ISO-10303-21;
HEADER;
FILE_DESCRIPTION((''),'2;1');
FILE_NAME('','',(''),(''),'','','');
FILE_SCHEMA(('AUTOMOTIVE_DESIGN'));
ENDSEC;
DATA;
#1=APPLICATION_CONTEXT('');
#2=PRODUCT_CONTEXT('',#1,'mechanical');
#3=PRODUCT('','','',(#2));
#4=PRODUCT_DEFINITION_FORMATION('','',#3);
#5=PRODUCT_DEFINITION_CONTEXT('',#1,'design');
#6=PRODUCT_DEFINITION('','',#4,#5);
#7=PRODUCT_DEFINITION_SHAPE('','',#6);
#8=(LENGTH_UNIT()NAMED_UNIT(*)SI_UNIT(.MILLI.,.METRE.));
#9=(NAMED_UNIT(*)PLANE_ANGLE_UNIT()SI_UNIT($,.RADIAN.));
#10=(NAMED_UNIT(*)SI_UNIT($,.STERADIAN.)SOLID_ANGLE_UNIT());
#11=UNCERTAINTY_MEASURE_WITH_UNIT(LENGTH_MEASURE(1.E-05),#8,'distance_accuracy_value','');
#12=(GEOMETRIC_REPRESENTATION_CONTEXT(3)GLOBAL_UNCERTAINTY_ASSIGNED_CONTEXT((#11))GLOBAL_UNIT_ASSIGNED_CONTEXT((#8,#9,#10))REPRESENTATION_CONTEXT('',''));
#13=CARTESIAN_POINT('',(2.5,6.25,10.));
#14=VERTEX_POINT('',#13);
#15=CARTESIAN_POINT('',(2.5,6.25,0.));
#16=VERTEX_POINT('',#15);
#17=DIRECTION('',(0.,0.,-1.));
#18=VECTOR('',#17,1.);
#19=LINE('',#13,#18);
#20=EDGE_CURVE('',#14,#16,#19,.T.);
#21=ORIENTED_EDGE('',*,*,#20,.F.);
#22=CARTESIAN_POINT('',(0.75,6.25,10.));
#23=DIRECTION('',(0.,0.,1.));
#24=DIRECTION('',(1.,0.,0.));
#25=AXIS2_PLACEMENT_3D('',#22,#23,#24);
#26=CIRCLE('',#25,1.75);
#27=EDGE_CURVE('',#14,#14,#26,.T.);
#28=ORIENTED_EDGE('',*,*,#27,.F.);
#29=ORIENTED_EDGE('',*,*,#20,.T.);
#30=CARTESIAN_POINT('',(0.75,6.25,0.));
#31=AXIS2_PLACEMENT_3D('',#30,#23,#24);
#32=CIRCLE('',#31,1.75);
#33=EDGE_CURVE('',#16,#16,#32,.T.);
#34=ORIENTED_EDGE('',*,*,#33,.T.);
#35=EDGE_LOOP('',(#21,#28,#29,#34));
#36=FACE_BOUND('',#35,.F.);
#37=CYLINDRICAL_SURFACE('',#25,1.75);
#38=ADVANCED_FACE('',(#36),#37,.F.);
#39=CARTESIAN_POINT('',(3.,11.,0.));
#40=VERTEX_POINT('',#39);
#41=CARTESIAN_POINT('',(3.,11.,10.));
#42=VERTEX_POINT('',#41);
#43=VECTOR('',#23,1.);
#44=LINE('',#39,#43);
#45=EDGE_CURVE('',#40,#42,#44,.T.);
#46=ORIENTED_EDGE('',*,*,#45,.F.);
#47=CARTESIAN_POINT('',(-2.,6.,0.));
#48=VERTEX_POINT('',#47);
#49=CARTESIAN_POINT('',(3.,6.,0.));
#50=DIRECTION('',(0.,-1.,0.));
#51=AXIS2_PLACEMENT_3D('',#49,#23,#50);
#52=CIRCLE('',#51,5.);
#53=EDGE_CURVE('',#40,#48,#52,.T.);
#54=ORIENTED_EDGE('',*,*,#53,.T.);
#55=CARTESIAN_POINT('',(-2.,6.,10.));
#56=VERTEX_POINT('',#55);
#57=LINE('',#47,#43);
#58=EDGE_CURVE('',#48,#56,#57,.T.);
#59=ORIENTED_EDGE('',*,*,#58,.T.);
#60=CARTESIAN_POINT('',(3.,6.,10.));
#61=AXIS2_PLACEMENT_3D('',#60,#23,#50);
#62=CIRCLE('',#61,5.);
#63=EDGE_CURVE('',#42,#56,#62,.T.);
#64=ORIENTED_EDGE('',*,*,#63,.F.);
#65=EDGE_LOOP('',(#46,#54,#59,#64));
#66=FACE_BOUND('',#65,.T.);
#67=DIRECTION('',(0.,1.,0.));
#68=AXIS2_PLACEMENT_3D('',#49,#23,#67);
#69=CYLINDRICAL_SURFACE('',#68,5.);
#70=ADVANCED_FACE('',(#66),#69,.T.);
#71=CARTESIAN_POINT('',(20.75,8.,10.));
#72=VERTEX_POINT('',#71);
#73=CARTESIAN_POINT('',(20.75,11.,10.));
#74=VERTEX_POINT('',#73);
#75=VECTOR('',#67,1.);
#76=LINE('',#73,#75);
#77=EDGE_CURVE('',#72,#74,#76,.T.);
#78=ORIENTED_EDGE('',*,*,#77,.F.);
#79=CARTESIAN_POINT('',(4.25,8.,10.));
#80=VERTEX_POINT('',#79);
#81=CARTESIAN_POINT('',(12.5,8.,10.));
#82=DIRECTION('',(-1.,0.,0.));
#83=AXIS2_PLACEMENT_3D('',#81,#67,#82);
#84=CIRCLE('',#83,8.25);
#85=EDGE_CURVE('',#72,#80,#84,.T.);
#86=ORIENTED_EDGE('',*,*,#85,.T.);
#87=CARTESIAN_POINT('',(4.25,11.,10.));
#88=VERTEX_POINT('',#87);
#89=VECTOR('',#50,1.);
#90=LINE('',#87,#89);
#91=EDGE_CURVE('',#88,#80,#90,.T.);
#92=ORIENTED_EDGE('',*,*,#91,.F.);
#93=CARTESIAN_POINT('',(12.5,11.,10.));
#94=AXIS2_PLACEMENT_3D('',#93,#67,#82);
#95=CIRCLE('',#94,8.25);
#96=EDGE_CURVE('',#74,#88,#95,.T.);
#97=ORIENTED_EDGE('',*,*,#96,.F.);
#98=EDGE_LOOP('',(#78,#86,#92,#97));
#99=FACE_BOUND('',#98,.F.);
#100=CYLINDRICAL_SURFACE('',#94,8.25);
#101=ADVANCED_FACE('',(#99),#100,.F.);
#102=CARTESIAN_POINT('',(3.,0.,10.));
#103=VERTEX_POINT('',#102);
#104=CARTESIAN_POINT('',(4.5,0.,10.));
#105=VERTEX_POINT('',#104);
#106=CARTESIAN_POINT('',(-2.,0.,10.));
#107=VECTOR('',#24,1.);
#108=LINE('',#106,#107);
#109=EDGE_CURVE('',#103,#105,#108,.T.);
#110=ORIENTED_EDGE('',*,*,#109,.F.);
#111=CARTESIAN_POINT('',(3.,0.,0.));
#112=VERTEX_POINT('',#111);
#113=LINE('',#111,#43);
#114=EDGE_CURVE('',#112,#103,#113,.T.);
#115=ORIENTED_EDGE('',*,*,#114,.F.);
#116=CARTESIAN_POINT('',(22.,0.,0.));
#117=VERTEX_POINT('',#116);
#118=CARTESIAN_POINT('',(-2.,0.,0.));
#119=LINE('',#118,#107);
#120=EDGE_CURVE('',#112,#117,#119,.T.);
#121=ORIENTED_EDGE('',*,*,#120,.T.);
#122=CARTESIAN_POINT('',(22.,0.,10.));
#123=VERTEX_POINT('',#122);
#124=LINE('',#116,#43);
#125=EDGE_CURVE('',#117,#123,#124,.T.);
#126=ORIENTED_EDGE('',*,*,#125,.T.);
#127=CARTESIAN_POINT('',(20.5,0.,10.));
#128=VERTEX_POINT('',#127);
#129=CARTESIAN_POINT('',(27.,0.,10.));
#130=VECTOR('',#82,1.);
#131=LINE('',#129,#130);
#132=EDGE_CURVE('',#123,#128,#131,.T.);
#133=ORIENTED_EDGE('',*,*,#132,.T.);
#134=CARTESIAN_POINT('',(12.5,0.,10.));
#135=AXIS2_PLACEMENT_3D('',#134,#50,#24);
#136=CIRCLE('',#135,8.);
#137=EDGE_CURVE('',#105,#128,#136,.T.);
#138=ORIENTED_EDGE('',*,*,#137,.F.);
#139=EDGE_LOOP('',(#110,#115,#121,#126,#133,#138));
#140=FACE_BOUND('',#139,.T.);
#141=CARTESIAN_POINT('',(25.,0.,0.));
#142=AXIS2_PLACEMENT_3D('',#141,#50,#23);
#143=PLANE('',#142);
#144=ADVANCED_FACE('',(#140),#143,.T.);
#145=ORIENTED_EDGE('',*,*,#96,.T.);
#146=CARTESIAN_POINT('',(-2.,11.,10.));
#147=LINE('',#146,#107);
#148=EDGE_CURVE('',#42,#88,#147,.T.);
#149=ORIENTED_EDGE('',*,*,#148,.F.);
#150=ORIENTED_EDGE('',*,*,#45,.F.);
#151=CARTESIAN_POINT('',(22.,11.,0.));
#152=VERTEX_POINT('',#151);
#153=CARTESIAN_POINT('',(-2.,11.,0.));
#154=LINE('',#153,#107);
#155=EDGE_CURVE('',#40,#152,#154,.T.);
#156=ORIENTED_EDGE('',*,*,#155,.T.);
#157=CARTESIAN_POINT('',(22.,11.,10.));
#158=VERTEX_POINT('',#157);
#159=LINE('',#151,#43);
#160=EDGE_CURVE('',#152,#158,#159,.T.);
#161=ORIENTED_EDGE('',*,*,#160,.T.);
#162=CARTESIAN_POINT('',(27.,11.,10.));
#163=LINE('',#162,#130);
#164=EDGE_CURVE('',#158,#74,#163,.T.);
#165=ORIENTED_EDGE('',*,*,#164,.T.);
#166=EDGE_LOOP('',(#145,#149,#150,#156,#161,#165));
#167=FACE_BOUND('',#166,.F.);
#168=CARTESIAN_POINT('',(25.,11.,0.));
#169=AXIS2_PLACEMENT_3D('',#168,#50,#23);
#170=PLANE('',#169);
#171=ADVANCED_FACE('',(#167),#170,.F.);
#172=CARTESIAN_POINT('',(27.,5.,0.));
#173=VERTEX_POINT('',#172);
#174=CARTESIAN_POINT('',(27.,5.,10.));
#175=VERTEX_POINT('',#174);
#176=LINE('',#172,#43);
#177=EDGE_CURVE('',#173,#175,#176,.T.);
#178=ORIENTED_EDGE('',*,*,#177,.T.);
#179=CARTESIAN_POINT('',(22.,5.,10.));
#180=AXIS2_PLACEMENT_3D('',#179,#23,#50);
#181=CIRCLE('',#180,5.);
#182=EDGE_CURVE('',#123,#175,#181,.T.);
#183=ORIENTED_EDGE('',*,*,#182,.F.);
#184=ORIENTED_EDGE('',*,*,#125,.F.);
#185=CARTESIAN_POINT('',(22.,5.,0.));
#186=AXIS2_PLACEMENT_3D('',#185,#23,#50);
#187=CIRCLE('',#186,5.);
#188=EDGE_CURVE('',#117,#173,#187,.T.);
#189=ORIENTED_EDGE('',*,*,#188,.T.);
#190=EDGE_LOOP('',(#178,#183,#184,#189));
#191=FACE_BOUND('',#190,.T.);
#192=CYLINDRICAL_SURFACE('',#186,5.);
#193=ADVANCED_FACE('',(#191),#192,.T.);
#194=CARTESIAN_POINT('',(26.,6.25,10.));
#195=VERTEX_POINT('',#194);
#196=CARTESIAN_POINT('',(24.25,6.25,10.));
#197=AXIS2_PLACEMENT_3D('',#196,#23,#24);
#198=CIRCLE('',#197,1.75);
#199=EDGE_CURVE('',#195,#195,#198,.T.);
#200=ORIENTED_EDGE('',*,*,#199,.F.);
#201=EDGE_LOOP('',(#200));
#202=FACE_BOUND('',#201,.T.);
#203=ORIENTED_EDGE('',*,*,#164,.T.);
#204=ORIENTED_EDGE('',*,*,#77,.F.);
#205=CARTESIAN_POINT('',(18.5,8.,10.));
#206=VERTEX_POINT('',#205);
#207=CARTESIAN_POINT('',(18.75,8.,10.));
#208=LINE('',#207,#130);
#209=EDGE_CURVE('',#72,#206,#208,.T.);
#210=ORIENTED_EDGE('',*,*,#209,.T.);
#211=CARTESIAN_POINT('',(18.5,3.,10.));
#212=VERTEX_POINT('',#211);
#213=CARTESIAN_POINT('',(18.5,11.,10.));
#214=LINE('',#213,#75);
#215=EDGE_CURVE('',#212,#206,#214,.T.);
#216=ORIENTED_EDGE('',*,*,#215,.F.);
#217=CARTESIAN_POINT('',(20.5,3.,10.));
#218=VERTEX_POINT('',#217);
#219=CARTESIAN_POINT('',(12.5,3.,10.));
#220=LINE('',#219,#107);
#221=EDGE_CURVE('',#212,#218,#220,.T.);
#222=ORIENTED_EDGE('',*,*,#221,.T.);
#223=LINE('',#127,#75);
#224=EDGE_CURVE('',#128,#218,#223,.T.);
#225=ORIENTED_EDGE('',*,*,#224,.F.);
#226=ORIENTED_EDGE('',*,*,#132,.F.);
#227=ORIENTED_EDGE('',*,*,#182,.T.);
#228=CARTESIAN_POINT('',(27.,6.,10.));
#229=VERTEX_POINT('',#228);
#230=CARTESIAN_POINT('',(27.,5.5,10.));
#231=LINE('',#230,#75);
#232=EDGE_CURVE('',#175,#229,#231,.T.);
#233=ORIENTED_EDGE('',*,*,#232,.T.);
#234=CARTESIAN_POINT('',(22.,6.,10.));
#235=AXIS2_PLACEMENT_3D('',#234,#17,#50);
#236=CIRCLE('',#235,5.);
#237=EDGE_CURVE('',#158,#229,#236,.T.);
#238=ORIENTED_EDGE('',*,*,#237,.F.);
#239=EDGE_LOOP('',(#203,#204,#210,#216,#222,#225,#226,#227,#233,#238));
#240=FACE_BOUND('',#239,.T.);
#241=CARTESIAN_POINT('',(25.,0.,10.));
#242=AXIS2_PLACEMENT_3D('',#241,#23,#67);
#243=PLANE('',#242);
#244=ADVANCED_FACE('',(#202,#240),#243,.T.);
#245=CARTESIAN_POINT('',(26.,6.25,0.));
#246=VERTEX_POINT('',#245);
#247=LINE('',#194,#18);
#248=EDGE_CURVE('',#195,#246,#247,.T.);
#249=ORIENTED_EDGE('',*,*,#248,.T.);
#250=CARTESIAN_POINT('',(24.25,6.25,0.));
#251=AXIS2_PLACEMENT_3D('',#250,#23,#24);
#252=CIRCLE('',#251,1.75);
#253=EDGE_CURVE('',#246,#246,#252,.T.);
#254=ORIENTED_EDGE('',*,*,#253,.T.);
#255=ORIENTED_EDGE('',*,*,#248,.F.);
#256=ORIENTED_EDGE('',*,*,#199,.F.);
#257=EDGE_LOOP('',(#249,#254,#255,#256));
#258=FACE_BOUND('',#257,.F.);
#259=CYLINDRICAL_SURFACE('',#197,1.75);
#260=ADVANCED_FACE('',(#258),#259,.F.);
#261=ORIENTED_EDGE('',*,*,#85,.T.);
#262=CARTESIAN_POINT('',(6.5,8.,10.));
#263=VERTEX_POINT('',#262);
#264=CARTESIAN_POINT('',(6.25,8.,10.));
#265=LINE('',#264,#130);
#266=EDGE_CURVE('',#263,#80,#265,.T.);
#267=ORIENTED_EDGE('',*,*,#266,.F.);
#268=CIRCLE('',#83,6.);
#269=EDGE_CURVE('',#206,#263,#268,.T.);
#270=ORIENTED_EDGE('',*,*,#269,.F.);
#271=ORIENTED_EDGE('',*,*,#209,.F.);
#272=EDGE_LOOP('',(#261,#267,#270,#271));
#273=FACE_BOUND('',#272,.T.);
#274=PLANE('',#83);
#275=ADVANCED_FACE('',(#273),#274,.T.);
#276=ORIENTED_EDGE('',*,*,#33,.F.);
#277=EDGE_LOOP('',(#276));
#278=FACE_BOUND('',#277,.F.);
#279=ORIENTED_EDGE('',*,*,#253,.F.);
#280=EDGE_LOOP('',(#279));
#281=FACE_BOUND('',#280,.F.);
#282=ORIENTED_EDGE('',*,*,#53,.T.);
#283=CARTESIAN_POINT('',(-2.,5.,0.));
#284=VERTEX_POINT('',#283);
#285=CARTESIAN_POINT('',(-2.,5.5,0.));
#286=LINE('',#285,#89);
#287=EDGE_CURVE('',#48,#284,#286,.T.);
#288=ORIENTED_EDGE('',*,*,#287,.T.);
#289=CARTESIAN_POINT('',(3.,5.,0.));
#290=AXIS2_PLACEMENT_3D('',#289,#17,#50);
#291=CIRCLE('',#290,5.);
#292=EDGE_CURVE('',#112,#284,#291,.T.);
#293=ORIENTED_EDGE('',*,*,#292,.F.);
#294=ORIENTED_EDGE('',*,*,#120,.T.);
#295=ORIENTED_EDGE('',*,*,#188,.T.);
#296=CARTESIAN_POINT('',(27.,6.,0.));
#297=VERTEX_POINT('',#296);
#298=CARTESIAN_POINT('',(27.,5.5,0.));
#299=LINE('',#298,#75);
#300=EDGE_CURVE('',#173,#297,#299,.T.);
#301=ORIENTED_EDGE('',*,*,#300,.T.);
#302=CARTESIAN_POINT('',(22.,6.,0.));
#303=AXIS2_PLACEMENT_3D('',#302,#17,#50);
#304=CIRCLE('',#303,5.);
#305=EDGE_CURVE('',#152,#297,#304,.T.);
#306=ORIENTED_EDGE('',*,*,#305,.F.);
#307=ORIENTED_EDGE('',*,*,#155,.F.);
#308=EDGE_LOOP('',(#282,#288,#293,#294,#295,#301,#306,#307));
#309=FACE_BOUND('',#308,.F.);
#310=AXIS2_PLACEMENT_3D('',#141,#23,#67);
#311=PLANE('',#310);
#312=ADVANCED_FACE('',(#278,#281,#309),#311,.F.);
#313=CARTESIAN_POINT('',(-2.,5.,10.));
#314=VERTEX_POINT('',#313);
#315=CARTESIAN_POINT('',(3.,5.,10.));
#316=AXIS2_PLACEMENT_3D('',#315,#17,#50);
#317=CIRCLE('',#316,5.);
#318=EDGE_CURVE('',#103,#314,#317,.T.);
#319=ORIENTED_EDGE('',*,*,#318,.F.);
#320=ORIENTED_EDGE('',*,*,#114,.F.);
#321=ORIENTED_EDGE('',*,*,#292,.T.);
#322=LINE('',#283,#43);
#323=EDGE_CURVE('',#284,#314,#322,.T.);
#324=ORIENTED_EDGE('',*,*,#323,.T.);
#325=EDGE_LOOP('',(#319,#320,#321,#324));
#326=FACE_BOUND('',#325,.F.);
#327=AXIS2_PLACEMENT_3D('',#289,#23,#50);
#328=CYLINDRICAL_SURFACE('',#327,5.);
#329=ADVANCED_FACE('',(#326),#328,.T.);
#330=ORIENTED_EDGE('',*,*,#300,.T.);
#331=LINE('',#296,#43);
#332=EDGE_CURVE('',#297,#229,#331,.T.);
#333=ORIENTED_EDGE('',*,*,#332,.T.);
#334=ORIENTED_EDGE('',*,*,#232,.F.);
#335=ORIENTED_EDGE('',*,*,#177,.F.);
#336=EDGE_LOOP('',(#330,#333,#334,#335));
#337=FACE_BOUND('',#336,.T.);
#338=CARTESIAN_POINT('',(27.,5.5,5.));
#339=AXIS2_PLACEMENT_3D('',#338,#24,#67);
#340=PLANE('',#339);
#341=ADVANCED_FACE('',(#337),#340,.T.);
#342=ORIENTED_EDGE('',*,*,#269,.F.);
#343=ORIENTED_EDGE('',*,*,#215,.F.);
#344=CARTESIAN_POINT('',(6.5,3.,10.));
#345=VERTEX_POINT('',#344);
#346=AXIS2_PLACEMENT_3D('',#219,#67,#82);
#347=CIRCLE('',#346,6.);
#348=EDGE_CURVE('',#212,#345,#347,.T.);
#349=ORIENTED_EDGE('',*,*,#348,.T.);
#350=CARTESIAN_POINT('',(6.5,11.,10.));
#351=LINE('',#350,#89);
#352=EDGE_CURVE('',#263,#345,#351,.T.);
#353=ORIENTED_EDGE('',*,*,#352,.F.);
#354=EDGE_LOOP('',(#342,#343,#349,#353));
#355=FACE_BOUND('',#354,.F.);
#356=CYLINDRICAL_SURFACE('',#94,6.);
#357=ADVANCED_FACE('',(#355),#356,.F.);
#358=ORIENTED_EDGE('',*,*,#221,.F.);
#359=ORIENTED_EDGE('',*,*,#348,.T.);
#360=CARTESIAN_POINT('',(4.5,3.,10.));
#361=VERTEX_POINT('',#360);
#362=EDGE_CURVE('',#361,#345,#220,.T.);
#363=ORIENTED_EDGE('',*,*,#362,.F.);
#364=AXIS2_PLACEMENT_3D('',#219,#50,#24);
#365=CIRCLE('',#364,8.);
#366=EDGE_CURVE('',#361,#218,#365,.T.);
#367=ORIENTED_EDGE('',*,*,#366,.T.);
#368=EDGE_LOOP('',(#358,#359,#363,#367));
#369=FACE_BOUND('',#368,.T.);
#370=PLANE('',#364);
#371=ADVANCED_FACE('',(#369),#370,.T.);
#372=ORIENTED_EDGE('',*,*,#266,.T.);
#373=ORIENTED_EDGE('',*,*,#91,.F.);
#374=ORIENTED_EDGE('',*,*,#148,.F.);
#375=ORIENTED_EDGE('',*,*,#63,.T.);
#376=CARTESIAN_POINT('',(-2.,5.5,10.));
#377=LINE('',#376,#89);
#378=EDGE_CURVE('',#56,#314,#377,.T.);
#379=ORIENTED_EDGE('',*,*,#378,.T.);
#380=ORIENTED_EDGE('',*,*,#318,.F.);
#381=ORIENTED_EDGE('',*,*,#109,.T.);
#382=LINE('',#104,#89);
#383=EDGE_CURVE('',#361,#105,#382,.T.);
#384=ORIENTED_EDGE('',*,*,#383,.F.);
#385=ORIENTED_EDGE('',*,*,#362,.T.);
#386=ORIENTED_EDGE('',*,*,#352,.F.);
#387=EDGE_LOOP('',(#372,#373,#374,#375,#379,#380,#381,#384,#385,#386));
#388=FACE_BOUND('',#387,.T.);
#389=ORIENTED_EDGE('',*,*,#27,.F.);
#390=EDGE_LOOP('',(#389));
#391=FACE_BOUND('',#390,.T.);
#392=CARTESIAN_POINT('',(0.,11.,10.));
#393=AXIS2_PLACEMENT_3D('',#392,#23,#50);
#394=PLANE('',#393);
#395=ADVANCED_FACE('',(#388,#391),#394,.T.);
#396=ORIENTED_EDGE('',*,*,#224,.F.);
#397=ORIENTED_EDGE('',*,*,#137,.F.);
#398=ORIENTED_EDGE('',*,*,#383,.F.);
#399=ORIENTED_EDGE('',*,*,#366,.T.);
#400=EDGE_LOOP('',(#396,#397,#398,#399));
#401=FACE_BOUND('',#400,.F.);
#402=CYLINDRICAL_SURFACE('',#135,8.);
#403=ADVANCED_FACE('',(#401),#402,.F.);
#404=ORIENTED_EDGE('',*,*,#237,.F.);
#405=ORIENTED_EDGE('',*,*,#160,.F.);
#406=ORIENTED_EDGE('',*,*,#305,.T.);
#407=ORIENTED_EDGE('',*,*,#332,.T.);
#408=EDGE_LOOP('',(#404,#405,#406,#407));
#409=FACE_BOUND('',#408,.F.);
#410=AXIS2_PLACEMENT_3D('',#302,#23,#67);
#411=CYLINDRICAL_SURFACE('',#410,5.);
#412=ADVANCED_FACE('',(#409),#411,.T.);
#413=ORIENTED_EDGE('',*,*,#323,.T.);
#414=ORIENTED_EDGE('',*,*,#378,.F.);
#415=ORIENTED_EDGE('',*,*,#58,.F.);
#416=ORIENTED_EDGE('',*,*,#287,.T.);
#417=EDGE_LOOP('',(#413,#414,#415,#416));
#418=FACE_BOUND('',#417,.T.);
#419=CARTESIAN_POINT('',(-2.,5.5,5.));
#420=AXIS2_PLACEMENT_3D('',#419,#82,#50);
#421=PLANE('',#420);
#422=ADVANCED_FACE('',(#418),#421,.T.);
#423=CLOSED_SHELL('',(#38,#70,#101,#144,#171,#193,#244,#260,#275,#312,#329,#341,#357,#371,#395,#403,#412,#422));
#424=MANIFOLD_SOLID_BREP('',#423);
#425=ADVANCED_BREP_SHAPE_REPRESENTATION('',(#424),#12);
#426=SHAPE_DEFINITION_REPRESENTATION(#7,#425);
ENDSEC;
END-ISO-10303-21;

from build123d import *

# Parameters (mm, degrees)
F0_W      = 25
F0_H      = 11
F1_DEPTH  = 10
F2_R      = 8
F3_DEPTH  = 3
F4_R      = 6
F5_DEPTH  = 9
F6_W      = 11
F6_H      = 10
F7_DEPTH  = 2
F8_W      = 11
F8_H      = 10
F9_DEPTH  = 2
F10_R     = 5
F11_R     = 1.75
F12_DEPTH = 25
F13_R     = 8.25
F14_DEPTH = 3


with BuildPart() as f1:
    # F0 (on Top) → F1 (new body)
    with BuildSketch(Plane.XY):
        with Locations((12.5, 5.5)):
            Rectangle(F0_W, F0_H)
    extrude(amount=F1_DEPTH)

    # F2 (on face) → F3 (cut)
    with BuildSketch(Plane.XZ):
        with Locations((12.5, 10)):
            Circle(F2_R)
    extrude(amount=-F3_DEPTH, mode=Mode.SUBTRACT)

    # F4 (on face) → F5 (cut)
    with BuildSketch(Plane(origin=(0, 11, 0), x_dir=(-1, 0, 0), z_dir=(0, 1, 0))):
        with Locations((-12.5, 10)):
            Circle(F4_R)
    extrude(amount=-F5_DEPTH, mode=Mode.SUBTRACT)

    # F6 (on face) → F7 (join)
    with BuildSketch(Plane(origin=(0, 0, 0), x_dir=(0, -1, 0), z_dir=(-1, 0, 0))):
        with Locations((-5.5, 5)):
            Rectangle(F6_W, F6_H)
    extrude(amount=F7_DEPTH)

    # F8 (on face) → F9 (join)
    with BuildSketch(Plane.YZ.offset(25)):
        with Locations((5.5, 5)):
            Rectangle(F8_W, F8_H)
    extrude(amount=F9_DEPTH)

    # F10
    f10_edges = [f1.edges().sort_by_distance(p)[0] for p in [
        (27, 11, 5),
        (27, 0, 5),
        (-2, 11, 5),
        (-2, 0, 5),
    ]]
    fillet(f10_edges, radius=F10_R)

    # F11 (on face) → F12 (cut)
    with BuildSketch(Plane.XY.offset(10)):
        with Locations((0.75, 6.25)):
            Circle(F11_R)
        with Locations((24.25, 6.25)):
            Circle(F11_R)
    extrude(amount=-F12_DEPTH, mode=Mode.SUBTRACT)

    # F13 (on face) → F14 (cut)
    with BuildSketch(Plane(origin=(0, 11, 0), x_dir=(-1, 0, 0), z_dir=(0, 1, 0))):
        with Locations((-12.5, 10)):
            Circle(F13_R)
    extrude(amount=-F14_DEPTH, mode=Mode.SUBTRACT)


solid = f1.part
